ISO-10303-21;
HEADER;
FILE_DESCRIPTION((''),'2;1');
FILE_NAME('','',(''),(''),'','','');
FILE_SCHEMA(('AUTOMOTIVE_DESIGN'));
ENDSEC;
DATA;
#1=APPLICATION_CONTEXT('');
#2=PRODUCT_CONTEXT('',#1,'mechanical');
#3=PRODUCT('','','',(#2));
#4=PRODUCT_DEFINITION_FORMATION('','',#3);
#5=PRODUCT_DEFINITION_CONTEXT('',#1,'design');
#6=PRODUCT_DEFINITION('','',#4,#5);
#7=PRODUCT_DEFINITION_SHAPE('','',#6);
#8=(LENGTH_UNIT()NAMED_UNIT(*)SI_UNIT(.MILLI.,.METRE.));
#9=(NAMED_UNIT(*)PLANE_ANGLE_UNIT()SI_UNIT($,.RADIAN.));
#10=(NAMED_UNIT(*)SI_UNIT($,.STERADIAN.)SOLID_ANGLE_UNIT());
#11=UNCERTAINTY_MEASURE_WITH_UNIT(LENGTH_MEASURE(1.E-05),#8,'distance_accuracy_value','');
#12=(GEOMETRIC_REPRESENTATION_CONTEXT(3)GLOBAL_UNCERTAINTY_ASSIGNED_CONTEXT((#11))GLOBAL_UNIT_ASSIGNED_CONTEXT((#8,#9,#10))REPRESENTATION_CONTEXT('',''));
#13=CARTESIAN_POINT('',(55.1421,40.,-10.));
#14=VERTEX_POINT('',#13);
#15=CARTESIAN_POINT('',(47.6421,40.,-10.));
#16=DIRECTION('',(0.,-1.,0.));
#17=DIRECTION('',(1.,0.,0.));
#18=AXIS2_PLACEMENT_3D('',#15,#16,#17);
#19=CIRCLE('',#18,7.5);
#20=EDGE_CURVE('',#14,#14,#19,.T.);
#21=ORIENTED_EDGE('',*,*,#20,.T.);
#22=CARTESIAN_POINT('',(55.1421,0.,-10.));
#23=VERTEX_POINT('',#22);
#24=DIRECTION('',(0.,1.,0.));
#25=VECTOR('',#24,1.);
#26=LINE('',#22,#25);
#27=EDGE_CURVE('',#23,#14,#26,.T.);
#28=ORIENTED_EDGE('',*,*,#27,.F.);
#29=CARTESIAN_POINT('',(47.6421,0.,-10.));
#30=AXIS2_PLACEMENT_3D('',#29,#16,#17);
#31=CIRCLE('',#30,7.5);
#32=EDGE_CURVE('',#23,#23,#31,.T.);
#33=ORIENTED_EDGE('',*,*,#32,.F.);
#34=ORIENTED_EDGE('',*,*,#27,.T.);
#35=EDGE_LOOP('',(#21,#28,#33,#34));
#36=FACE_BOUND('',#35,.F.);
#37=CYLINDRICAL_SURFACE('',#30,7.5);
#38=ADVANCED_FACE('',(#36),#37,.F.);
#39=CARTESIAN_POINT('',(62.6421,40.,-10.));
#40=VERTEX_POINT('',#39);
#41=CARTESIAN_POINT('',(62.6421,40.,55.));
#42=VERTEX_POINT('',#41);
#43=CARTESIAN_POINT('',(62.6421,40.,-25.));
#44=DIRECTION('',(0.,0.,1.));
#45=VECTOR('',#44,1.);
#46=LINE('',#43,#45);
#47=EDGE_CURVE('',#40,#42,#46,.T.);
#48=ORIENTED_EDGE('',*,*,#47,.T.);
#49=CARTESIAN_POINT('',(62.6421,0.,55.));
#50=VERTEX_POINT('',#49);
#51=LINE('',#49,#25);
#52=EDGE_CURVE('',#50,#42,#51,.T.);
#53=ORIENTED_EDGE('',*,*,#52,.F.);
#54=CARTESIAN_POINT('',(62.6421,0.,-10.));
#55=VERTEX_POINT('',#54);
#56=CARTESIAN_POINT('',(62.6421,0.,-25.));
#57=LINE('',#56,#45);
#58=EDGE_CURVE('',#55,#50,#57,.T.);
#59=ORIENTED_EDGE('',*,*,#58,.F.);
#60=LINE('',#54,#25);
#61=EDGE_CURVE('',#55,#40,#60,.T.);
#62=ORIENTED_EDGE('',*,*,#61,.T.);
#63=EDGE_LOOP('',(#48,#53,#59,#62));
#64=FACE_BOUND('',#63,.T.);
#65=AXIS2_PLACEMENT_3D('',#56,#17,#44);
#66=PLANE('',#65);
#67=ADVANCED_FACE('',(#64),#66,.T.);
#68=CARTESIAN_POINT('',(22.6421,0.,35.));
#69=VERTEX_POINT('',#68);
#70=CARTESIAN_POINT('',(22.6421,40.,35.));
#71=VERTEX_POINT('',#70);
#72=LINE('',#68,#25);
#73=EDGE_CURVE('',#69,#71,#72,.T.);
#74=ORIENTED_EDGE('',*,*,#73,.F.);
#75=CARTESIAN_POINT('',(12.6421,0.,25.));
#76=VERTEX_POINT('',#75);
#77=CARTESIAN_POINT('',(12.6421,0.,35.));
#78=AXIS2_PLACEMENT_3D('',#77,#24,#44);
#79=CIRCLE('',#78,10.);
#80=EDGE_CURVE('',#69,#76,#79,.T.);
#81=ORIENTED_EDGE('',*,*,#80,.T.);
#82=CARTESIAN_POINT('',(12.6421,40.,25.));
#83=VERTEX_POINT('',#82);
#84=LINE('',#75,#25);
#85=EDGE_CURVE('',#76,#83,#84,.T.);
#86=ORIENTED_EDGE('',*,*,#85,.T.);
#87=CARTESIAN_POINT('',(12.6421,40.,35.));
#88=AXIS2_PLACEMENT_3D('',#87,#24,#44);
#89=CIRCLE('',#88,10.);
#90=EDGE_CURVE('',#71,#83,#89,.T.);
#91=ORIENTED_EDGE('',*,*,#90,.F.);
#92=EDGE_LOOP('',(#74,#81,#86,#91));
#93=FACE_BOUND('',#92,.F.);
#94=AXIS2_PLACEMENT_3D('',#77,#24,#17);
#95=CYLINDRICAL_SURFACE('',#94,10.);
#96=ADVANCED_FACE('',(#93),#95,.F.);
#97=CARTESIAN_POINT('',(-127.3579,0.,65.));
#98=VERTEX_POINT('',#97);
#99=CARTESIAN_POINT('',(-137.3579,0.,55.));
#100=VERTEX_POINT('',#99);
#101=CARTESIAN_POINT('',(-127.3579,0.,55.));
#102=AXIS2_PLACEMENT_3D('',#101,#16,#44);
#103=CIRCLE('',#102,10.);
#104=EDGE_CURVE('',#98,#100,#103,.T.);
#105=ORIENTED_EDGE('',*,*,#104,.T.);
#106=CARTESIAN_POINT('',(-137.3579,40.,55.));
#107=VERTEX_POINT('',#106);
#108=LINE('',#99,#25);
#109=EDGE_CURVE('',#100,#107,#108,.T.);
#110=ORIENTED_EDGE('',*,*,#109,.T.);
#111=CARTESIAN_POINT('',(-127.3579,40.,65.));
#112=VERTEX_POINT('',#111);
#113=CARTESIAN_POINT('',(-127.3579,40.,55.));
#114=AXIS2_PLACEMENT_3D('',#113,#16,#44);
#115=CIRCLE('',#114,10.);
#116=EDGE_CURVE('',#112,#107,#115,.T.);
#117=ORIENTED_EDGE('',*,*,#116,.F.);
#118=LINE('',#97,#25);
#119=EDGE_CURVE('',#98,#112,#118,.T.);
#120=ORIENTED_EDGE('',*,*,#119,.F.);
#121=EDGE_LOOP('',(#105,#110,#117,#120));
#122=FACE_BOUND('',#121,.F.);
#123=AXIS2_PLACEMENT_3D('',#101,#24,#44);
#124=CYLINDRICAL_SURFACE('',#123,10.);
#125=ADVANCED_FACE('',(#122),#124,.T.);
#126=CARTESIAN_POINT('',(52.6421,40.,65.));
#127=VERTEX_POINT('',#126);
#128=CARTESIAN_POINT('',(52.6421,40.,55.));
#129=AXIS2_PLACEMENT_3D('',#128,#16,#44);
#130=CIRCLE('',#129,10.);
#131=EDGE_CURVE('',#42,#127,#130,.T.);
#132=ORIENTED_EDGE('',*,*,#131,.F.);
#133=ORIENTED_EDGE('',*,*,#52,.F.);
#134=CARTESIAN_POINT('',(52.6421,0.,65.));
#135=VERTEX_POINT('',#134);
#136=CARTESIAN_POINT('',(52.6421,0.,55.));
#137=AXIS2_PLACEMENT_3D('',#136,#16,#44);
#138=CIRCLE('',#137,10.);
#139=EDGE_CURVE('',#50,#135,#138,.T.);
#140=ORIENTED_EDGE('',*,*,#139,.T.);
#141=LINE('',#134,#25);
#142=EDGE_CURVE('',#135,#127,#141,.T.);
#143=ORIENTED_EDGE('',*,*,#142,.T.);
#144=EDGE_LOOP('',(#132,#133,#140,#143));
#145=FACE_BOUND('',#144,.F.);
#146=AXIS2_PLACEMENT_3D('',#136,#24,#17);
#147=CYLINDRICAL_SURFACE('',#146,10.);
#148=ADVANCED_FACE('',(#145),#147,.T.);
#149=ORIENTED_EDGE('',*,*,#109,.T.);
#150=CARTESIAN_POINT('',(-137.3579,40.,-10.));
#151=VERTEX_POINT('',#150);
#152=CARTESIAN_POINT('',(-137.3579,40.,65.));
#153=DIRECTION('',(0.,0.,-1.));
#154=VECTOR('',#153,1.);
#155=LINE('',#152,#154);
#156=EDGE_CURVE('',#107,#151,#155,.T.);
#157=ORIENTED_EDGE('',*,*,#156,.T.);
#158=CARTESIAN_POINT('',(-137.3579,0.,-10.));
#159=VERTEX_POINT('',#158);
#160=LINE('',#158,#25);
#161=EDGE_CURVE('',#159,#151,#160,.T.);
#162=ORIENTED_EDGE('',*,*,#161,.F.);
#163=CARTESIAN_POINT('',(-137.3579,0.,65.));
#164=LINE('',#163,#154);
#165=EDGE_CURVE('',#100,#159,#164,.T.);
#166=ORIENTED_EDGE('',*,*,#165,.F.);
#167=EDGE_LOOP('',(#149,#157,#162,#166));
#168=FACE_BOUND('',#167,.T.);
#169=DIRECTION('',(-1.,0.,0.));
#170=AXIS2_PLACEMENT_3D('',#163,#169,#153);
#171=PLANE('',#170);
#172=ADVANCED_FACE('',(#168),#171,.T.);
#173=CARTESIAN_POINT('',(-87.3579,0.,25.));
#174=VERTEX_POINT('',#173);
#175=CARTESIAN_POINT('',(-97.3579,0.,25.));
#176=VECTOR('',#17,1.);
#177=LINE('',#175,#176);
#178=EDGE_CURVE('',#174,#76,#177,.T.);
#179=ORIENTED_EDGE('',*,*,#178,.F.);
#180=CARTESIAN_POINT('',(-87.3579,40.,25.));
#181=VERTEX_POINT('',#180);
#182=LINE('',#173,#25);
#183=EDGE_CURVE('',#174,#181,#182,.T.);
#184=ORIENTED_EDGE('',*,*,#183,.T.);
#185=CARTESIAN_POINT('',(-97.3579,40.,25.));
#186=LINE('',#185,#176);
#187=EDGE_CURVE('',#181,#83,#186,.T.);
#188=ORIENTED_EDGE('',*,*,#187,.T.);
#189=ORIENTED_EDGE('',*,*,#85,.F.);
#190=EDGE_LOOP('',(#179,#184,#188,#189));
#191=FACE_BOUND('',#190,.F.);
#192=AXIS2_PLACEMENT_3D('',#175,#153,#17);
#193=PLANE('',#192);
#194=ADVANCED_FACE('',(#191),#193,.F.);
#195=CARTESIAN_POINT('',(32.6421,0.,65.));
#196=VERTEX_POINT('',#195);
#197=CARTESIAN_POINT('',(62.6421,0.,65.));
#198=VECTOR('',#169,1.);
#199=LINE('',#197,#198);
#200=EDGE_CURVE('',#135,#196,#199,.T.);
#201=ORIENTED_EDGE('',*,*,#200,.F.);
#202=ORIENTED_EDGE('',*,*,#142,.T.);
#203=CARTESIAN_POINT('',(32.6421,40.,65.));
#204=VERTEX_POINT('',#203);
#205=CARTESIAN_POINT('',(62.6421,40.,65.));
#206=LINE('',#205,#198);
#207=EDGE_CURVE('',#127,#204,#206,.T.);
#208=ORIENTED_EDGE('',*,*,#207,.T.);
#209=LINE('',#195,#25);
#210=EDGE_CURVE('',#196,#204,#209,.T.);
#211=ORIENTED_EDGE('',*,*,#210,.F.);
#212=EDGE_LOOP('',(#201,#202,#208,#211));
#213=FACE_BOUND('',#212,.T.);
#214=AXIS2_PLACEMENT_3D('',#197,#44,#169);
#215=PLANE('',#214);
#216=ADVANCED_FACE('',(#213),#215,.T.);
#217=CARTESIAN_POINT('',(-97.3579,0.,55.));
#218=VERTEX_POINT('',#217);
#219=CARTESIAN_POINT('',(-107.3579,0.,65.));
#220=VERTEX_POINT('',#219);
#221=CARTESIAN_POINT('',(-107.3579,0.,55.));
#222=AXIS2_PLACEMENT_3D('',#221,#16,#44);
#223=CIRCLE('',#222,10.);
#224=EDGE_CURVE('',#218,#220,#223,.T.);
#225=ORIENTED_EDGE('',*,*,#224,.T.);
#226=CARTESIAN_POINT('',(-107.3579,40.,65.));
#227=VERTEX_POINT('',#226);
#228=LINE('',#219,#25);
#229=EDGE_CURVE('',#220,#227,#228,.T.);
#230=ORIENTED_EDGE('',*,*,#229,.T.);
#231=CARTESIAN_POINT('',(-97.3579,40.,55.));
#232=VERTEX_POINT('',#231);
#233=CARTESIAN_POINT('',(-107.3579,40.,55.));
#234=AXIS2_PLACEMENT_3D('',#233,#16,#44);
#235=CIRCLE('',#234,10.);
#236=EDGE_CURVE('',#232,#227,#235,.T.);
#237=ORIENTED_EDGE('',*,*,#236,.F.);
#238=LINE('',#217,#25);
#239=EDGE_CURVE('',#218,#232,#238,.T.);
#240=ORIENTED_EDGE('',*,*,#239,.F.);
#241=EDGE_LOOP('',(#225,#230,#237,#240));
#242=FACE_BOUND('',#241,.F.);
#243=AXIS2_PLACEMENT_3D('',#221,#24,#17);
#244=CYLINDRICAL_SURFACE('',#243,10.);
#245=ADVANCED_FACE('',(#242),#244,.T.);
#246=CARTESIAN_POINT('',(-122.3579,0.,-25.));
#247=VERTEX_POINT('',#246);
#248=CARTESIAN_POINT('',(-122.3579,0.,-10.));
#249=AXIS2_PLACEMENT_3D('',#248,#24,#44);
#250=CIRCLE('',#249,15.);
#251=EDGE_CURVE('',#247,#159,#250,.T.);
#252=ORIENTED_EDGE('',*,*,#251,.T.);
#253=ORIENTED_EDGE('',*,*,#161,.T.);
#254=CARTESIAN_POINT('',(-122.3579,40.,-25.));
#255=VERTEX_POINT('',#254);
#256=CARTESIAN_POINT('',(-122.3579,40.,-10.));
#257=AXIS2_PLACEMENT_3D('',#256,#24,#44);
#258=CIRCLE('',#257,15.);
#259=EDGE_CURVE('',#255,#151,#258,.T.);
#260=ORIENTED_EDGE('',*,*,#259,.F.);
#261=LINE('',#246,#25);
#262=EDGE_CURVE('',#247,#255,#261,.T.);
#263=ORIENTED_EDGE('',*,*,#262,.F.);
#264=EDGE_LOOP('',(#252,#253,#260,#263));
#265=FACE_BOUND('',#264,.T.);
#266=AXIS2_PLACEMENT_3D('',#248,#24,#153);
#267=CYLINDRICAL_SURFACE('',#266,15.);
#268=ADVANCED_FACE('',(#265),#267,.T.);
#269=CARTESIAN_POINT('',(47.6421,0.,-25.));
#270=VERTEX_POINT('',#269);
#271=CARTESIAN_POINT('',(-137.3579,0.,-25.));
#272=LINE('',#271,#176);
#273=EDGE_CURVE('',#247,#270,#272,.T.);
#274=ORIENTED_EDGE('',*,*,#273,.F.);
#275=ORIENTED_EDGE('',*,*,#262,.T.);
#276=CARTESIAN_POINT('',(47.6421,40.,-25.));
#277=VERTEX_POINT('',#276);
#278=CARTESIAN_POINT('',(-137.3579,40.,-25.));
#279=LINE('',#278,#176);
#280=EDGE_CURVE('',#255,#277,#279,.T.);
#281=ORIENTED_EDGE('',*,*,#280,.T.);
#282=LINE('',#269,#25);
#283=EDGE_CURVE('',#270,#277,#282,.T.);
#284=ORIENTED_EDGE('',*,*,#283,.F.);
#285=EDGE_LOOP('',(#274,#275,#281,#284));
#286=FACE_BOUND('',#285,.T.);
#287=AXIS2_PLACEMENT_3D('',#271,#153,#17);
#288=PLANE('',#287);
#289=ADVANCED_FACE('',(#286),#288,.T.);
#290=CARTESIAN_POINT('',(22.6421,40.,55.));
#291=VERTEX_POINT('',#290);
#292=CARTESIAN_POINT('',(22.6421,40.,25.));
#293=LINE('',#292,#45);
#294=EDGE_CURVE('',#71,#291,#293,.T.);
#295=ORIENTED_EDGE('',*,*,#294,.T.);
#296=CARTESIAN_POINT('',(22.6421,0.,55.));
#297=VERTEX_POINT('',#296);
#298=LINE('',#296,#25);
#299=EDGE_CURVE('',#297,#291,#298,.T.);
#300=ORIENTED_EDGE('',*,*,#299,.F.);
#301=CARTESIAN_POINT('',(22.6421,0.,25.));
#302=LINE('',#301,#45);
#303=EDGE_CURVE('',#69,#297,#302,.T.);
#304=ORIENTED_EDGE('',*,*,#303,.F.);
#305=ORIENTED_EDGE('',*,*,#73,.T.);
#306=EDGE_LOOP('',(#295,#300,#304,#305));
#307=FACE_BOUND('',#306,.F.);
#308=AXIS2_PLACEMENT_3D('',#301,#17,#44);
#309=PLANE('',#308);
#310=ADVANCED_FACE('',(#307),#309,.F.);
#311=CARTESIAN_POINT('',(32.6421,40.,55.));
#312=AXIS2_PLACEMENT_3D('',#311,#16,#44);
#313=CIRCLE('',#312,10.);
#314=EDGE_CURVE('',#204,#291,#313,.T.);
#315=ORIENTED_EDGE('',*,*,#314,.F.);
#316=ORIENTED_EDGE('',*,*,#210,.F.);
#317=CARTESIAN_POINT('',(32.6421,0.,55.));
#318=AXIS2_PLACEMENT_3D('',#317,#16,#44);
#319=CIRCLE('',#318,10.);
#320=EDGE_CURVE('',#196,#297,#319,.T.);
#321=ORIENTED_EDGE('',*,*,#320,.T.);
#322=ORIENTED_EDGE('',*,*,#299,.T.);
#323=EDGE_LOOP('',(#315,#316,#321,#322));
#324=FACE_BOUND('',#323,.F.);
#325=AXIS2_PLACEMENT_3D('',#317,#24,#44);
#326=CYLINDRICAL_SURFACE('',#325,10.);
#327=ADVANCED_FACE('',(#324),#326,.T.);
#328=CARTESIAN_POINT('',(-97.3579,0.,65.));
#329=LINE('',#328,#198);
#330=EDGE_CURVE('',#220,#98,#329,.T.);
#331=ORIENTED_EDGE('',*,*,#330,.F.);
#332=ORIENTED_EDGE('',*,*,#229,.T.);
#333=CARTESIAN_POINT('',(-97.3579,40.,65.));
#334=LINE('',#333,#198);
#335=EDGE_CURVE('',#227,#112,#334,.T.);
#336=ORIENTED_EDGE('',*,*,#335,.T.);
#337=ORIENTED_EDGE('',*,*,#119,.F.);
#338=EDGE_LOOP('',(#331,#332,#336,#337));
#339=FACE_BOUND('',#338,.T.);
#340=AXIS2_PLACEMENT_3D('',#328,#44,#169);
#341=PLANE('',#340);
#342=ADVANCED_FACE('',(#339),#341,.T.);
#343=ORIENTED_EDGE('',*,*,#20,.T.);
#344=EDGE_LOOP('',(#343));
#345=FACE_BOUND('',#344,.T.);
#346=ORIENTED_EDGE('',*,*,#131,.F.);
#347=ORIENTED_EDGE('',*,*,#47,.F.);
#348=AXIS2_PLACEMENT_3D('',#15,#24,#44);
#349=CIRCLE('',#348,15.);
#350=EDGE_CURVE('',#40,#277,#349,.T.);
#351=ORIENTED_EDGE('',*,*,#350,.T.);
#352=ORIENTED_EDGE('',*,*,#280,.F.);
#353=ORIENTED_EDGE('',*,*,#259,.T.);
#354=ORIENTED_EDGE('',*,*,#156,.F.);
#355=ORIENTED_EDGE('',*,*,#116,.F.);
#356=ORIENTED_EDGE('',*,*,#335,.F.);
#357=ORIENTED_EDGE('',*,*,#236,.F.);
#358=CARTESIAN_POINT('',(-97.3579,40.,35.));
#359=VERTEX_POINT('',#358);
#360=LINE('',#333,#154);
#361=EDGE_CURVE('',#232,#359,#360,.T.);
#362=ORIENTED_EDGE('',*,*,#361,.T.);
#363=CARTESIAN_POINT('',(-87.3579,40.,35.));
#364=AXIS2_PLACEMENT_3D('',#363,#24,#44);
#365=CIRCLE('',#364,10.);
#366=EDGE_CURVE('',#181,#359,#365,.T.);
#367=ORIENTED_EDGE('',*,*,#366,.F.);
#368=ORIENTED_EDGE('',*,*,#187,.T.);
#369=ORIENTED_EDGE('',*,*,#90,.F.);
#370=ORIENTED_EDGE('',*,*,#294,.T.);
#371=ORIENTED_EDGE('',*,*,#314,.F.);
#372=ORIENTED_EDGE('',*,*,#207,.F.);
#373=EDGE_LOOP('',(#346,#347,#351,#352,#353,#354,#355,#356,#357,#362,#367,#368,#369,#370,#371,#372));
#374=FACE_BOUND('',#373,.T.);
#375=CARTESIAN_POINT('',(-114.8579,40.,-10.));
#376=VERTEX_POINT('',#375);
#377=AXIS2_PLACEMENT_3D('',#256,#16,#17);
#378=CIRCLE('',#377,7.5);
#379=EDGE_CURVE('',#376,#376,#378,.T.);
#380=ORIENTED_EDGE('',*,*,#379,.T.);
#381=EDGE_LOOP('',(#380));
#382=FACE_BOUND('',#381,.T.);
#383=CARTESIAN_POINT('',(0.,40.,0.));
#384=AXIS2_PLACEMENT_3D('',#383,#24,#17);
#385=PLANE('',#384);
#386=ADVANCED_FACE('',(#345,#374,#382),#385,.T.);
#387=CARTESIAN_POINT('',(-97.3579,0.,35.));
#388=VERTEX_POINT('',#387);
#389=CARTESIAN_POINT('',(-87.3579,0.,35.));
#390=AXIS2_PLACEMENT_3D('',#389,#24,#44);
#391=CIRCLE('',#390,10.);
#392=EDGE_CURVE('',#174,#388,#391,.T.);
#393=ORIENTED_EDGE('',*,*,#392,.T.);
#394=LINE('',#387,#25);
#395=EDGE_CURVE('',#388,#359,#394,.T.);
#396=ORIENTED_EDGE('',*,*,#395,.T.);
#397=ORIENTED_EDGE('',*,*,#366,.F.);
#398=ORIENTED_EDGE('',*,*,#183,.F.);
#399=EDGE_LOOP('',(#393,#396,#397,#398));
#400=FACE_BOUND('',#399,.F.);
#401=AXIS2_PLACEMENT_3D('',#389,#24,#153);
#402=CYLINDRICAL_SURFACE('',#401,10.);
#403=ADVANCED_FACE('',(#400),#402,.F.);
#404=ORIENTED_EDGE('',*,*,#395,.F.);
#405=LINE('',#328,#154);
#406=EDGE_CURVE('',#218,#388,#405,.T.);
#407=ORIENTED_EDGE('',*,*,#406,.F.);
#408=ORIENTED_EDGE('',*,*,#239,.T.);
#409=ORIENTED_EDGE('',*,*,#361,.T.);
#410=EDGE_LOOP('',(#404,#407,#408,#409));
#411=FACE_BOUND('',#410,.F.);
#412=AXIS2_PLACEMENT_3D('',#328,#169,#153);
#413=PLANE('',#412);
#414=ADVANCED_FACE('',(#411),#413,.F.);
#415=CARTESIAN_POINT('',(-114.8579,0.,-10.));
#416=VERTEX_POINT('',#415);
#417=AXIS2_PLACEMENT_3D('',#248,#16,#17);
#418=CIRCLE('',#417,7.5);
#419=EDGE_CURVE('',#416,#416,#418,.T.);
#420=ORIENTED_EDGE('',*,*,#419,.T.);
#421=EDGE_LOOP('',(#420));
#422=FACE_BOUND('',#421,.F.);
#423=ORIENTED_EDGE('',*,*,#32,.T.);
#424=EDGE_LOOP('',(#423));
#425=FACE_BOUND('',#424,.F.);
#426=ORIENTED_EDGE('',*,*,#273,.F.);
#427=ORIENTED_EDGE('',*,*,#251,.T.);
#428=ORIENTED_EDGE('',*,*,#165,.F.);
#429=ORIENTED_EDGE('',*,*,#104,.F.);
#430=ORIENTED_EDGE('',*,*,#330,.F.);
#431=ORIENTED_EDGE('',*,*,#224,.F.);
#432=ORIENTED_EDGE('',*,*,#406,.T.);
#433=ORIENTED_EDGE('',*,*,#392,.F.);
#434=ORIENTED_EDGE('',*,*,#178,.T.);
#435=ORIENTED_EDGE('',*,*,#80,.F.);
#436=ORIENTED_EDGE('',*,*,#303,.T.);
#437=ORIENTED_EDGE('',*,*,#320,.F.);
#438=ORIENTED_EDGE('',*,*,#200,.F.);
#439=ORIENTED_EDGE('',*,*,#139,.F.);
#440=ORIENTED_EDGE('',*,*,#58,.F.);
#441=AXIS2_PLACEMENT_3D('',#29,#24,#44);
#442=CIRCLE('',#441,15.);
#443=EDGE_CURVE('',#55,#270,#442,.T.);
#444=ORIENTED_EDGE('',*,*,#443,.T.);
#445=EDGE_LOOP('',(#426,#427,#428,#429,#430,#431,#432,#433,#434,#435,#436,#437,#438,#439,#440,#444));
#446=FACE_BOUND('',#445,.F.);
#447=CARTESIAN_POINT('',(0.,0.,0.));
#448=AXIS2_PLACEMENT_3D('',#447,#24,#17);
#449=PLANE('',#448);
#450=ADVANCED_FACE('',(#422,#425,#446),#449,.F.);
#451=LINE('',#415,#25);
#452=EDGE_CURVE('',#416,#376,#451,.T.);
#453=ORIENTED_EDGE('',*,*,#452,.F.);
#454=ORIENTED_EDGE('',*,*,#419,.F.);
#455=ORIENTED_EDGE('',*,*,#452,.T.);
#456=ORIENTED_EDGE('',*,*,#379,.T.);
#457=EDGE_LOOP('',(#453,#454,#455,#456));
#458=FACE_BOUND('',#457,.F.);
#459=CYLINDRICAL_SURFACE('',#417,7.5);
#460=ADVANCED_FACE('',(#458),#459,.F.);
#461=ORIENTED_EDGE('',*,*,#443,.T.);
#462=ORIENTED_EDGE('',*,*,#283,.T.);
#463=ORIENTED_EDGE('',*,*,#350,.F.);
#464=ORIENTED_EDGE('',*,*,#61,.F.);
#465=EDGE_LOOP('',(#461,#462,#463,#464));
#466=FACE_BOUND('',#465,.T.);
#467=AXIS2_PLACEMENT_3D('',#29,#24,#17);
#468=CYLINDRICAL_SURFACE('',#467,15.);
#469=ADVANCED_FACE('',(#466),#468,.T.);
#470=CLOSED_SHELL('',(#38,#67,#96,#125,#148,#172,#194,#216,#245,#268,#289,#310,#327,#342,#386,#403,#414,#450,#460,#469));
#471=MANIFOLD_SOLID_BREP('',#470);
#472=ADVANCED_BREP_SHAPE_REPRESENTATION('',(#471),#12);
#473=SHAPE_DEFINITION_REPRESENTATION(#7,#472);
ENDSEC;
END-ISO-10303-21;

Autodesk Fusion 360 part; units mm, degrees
sketch "Sketch1" plane through (0, 0, 0) normal (0, 1, 0) x (1, 0, 0)
  line L0 (-137.3579, 25) -> (62.6421, 25)
  line L1 (62.6421, 25) -> (62.6421, -65)
  line L2 (-137.3579, -65) -> (-137.3579, 25)
  line L3 (-97.3579, -65) -> (-97.3579, -25)
  line L4 (-97.3579, -25) -> (22.6421, -25)
  line L5 (22.6421, -25) -> (22.6421, -65)
  line L6 (62.6421, -65) -> (22.6421, -65)
  line L7 (-97.3579, -65) -> (-137.3579, -65)
  dimension "d1" = 200
  dimension "d2" = 90
  dimension "d8" = 50
extrude "Extrude1" add sketch "Sketch1" along normal blind 40
fillet "Fillet1" radius 10 6 edges at (-137.3579, 20, 65) (-97.3579, 20, 65) (-97.3579, 20, 25) (22.6421, 20, 25) (22.6421, 20, 65) (62.6421, 20, 65)
fillet "Fillet2" radius 15 2 edges at (-137.3579, 20, -25) (62.6421, 20, -25)
sketch "Sketch2" plane through (0, 0, 0) normal (0, -1, 0) x (1, 0, 0)
  arc A0 (47.6421, -25) -> (62.6421, -10) centre (47.6421, -10) ccw
  line L0 (62.6421, -10) -> (62.6421, 55)
  arc A1 (62.6421, 55) -> (52.6421, 65) centre (52.6421, 55) ccw
  line L1 (52.6421, 65) -> (32.6421, 65)
  arc A2 (32.6421, 65) -> (22.6421, 55) centre (32.6421, 55) ccw
  line L2 (22.6421, 55) -> (22.6421, 35)
  arc A3 (12.6421, 25) -> (22.6421, 35) centre (12.6421, 35) ccw
  line L3 (12.6421, 25) -> (-87.3579, 25)
  arc A4 (-97.3579, 35) -> (-87.3579, 25) centre (-87.3579, 35) ccw
  line L4 (-97.3579, 35) -> (-97.3579, 55)
  arc A5 (-97.3579, 55) -> (-107.3579, 65) centre (-107.3579, 55) ccw
  line L5 (-107.3579, 65) -> (-127.3579, 65)
  arc A6 (-127.3579, 65) -> (-137.3579, 55) centre (-127.3579, 55) ccw
  line L6 (-137.3579, 55) -> (-137.3579, -10)
  arc A7 (-137.3579, -10) -> (-122.3579, -25) centre (-122.3579, -10) ccw
  line L7 (-122.3579, -25) -> (47.6421, -25)
  circle A8 centre (-122.3579, -10) radius 7.5
  circle A9 centre (47.6421, -10) radius 7.5
  dimension "d13" = 15
  dimension "d14" = 15
extrude "Extrude2" cut sketch "Sketch2" against normal blind 40 contours A8 | A9
properties part number "Tutorial Part 1"
